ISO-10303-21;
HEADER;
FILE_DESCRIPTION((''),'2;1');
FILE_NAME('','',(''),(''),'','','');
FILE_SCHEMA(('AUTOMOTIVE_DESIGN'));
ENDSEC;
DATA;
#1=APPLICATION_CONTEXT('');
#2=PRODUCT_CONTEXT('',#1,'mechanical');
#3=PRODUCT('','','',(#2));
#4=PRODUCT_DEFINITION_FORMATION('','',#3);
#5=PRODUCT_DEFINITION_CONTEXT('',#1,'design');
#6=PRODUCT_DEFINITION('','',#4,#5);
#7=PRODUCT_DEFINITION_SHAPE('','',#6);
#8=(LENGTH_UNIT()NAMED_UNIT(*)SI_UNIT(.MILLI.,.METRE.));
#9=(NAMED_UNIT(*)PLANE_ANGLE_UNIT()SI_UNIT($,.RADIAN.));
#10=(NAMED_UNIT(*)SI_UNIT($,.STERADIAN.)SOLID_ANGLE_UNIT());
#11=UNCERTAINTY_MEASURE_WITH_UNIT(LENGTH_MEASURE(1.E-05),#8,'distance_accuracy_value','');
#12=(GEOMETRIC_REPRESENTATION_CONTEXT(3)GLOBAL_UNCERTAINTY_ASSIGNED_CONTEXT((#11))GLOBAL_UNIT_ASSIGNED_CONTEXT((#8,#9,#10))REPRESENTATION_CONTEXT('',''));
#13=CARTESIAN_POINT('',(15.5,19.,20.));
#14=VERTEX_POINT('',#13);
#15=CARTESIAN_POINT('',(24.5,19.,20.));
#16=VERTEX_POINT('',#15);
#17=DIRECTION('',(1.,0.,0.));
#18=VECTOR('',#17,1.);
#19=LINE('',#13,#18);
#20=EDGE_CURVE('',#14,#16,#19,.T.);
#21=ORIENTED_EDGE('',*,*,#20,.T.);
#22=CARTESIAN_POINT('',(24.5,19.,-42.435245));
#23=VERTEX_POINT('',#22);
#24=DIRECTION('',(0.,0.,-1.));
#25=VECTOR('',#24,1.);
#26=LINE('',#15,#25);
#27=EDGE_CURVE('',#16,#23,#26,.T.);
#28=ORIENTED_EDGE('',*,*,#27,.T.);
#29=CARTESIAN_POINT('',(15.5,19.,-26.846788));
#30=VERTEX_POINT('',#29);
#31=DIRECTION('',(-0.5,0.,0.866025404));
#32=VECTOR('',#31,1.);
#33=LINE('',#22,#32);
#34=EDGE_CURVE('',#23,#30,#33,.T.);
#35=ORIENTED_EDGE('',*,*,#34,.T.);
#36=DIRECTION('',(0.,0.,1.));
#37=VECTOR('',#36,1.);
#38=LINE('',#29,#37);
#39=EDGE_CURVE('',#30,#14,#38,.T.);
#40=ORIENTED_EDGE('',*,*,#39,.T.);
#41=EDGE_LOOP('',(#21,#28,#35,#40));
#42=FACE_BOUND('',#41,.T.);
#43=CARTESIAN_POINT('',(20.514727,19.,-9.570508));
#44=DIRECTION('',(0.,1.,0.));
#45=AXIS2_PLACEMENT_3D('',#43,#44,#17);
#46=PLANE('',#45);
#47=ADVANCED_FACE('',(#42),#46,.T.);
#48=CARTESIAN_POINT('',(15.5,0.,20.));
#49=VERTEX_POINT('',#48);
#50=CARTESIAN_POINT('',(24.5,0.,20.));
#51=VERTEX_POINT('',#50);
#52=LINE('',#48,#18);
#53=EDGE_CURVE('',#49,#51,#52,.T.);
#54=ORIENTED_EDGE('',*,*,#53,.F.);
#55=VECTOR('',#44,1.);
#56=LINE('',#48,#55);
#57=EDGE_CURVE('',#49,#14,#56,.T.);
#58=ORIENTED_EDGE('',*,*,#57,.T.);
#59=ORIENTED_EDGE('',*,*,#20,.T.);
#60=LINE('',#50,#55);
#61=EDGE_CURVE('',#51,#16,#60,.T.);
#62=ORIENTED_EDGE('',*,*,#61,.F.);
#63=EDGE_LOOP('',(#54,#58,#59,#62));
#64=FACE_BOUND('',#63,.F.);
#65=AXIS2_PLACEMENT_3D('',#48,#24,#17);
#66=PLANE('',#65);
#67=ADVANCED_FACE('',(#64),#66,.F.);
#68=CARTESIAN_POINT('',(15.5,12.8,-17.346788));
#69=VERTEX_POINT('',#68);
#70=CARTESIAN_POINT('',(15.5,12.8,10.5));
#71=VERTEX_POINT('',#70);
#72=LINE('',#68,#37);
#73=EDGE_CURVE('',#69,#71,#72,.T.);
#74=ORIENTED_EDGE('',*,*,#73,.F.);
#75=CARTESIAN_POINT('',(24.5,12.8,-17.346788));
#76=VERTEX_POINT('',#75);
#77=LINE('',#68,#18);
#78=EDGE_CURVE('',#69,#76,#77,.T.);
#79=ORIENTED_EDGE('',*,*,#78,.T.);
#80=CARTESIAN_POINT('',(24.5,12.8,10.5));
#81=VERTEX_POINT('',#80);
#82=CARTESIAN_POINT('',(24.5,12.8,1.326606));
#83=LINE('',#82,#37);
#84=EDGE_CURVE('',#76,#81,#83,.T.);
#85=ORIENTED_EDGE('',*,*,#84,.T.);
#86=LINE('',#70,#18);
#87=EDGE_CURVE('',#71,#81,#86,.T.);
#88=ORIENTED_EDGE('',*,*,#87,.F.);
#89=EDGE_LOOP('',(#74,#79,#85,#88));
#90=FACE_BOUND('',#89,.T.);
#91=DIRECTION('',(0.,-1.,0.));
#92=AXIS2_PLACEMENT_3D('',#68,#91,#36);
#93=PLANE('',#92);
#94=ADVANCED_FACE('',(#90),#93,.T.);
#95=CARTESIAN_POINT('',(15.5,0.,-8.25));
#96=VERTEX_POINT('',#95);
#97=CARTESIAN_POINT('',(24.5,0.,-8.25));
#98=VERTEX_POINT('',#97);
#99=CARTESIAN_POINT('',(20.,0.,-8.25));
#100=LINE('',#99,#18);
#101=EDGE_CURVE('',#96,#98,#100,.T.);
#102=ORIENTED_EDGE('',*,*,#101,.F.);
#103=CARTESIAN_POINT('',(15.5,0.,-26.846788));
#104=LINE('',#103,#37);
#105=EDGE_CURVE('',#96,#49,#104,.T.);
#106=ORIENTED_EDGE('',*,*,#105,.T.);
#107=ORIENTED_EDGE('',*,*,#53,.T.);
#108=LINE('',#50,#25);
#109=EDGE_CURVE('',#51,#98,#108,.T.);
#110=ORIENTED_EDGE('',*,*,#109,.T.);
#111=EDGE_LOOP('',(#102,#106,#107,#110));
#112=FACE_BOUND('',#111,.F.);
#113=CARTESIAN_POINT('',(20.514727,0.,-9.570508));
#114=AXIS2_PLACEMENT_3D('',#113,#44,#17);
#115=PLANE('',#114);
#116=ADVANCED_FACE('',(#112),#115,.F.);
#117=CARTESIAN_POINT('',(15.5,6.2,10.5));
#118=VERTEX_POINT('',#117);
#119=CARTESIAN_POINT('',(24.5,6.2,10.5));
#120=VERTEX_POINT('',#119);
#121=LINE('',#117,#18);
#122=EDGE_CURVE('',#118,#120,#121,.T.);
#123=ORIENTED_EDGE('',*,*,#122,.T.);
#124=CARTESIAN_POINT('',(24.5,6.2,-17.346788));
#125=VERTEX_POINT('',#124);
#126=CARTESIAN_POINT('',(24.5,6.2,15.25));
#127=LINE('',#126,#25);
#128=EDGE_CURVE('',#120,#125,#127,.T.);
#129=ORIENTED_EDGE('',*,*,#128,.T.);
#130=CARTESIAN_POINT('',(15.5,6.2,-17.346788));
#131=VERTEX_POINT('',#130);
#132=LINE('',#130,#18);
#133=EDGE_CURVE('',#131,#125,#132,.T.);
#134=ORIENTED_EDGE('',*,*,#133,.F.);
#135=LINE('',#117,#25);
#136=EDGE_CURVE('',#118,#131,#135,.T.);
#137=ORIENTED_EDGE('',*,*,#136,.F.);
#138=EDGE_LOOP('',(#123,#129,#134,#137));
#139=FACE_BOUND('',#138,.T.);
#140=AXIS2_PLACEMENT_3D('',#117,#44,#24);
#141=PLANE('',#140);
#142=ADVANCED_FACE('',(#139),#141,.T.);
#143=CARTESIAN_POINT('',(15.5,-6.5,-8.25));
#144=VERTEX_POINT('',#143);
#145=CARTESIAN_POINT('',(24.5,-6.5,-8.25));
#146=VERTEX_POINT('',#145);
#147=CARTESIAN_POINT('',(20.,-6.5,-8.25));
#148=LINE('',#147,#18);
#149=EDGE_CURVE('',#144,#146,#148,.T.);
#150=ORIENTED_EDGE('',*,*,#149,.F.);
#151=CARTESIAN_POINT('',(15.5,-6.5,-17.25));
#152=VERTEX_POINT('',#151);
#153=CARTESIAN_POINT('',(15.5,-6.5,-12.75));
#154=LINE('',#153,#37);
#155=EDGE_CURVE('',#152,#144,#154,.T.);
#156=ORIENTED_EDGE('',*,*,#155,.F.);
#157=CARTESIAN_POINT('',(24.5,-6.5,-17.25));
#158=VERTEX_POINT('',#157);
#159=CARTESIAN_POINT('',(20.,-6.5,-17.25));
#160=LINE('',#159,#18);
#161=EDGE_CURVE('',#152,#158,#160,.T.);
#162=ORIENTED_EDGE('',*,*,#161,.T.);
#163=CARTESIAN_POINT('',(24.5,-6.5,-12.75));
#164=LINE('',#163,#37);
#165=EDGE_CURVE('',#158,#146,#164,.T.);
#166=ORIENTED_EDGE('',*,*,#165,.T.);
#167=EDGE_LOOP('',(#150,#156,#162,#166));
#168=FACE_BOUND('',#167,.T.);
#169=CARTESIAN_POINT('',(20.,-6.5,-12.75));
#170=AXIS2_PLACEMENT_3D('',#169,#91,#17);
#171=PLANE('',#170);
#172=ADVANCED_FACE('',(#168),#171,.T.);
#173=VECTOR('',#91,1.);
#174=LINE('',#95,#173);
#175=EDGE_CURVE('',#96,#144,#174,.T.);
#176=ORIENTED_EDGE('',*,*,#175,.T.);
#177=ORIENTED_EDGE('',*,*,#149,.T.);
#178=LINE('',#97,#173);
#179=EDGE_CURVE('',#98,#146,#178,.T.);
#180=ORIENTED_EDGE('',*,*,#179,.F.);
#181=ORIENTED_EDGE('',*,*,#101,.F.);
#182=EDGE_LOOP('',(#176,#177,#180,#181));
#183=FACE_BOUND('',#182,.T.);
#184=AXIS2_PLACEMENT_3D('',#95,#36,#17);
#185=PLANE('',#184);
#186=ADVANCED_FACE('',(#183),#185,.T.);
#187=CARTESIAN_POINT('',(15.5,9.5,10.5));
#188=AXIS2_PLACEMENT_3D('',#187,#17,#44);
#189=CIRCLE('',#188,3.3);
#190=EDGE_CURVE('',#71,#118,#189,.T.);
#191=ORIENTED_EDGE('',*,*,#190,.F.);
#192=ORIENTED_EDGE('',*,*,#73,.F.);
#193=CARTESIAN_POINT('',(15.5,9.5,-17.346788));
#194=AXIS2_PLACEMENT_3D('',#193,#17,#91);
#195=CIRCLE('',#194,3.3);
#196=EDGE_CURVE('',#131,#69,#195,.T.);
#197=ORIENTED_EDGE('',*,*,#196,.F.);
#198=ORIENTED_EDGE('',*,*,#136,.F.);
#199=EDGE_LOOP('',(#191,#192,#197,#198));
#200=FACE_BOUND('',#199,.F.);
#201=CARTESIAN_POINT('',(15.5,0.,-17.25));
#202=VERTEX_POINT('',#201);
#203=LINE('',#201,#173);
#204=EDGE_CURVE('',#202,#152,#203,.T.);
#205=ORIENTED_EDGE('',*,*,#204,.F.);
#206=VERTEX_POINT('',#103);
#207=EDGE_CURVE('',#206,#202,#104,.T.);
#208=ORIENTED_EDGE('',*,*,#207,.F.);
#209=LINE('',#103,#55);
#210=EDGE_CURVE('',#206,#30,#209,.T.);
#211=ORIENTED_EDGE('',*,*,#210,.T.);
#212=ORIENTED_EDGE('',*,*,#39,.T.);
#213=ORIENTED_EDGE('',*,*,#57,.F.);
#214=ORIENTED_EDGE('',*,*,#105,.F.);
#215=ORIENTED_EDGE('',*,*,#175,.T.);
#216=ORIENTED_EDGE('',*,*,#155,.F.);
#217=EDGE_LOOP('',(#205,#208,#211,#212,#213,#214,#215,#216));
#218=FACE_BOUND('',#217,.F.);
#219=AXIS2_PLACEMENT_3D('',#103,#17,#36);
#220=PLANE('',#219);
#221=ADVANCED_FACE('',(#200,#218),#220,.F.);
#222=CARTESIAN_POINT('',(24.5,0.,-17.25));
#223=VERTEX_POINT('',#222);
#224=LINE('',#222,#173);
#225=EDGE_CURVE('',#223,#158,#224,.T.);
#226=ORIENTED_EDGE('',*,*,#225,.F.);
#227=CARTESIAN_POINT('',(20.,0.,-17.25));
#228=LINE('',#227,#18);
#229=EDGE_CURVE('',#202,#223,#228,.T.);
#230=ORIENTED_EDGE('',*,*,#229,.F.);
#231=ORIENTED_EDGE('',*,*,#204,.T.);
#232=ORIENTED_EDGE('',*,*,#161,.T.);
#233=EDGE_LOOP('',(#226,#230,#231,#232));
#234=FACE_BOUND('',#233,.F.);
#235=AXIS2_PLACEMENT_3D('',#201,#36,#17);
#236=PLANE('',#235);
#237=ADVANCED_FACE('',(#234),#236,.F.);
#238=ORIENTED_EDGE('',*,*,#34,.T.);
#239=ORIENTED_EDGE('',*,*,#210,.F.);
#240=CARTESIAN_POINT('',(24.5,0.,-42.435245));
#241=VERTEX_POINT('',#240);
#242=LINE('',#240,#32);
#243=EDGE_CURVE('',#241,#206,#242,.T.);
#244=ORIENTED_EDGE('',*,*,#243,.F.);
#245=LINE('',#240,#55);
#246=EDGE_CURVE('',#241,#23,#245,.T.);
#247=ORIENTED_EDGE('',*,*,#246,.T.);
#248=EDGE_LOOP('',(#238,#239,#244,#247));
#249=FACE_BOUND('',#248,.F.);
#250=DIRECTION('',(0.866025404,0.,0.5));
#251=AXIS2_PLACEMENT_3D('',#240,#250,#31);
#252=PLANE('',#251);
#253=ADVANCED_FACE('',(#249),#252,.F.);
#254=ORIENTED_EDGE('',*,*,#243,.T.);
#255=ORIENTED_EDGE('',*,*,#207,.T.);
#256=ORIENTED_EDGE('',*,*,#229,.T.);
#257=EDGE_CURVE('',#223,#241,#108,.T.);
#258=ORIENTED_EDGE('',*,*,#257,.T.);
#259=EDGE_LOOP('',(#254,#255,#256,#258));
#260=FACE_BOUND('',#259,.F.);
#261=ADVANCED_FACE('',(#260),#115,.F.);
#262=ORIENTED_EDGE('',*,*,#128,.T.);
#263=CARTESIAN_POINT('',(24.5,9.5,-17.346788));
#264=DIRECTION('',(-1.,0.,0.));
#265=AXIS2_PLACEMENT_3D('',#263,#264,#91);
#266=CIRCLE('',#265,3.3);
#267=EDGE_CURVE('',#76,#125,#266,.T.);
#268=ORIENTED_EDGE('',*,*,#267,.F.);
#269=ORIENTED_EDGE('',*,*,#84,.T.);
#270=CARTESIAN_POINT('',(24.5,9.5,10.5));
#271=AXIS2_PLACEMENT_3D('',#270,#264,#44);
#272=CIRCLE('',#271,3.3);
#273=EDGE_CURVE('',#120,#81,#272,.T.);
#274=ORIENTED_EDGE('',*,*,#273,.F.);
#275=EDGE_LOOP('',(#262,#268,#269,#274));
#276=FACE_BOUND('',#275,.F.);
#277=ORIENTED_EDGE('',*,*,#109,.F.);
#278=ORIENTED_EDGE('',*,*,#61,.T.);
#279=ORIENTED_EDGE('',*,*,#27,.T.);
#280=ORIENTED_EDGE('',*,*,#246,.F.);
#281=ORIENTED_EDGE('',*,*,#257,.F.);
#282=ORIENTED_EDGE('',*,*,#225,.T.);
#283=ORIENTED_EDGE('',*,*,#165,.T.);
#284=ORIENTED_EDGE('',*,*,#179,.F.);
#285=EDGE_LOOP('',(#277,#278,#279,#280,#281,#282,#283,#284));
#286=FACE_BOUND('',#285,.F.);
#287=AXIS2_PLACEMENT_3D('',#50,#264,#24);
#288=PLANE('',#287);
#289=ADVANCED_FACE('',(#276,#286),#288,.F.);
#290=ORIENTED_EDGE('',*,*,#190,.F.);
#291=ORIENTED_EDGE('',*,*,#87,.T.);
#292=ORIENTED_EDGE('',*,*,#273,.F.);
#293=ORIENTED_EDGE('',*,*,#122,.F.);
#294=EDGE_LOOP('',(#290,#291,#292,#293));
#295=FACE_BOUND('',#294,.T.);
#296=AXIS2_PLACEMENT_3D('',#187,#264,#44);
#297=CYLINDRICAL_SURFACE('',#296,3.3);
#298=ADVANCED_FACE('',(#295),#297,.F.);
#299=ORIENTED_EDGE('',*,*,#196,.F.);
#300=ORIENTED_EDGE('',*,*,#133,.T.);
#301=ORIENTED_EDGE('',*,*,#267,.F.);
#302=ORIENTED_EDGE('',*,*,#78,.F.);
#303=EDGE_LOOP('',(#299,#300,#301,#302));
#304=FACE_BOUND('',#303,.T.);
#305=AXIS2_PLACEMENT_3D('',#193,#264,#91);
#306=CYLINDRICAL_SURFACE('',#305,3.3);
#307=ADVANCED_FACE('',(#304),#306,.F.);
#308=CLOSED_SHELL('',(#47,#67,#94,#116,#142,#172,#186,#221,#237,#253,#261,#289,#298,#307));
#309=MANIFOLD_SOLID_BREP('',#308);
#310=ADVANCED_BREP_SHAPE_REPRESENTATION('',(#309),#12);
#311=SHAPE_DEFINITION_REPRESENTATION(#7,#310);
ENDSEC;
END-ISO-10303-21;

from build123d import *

# Parameters (mm, degrees)
BOSS_EXTRUDE1_DEPTH = 19
CUT_EXTRUDE1_DEPTH  = 10
SKETCH4_W           = 9
SKETCH4_H           = 9
BOSS_EXTRUDE2_DEPTH = 6.5


with BuildPart() as part:
    # Sketch1 → Boss-Extrude1 (new body)
    with BuildSketch(Plane(origin=(0, 0, 0), x_dir=(1, 0, 0), z_dir=(0, 1, 0))):
        Polygon((15.5, 26.846787517), (15.5, -20), (24.5, -20), (24.5, 42.435244785), align=None)
    extrude(amount=BOSS_EXTRUDE1_DEPTH)

    # Sketch3 → Cut-Extrude1 (cut, through all)
    with BuildSketch(Plane.ZY.offset(-15.5)):
        with BuildLine():
            Line((-17.346787517, 12.8), (10.5, 12.8))
            ThreePointArc((10.5, 12.8), (13.8, 9.5), (10.5, 6.2))
            Line((10.5, 6.2), (-17.346787517, 6.2))
            ThreePointArc((-17.346787517, 6.2), (-20.646787517, 9.5), (-17.346787517, 12.8))
        make_face()
    extrude(amount=-CUT_EXTRUDE1_DEPTH, mode=Mode.SUBTRACT)

    # Sketch4 → Boss-Extrude2 (add)
    with BuildSketch(Plane.XZ):
        with Locations((20, -12.75)):
            Rectangle(SKETCH4_W, SKETCH4_H)
    extrude(amount=BOSS_EXTRUDE2_DEPTH)


solid = part.part
